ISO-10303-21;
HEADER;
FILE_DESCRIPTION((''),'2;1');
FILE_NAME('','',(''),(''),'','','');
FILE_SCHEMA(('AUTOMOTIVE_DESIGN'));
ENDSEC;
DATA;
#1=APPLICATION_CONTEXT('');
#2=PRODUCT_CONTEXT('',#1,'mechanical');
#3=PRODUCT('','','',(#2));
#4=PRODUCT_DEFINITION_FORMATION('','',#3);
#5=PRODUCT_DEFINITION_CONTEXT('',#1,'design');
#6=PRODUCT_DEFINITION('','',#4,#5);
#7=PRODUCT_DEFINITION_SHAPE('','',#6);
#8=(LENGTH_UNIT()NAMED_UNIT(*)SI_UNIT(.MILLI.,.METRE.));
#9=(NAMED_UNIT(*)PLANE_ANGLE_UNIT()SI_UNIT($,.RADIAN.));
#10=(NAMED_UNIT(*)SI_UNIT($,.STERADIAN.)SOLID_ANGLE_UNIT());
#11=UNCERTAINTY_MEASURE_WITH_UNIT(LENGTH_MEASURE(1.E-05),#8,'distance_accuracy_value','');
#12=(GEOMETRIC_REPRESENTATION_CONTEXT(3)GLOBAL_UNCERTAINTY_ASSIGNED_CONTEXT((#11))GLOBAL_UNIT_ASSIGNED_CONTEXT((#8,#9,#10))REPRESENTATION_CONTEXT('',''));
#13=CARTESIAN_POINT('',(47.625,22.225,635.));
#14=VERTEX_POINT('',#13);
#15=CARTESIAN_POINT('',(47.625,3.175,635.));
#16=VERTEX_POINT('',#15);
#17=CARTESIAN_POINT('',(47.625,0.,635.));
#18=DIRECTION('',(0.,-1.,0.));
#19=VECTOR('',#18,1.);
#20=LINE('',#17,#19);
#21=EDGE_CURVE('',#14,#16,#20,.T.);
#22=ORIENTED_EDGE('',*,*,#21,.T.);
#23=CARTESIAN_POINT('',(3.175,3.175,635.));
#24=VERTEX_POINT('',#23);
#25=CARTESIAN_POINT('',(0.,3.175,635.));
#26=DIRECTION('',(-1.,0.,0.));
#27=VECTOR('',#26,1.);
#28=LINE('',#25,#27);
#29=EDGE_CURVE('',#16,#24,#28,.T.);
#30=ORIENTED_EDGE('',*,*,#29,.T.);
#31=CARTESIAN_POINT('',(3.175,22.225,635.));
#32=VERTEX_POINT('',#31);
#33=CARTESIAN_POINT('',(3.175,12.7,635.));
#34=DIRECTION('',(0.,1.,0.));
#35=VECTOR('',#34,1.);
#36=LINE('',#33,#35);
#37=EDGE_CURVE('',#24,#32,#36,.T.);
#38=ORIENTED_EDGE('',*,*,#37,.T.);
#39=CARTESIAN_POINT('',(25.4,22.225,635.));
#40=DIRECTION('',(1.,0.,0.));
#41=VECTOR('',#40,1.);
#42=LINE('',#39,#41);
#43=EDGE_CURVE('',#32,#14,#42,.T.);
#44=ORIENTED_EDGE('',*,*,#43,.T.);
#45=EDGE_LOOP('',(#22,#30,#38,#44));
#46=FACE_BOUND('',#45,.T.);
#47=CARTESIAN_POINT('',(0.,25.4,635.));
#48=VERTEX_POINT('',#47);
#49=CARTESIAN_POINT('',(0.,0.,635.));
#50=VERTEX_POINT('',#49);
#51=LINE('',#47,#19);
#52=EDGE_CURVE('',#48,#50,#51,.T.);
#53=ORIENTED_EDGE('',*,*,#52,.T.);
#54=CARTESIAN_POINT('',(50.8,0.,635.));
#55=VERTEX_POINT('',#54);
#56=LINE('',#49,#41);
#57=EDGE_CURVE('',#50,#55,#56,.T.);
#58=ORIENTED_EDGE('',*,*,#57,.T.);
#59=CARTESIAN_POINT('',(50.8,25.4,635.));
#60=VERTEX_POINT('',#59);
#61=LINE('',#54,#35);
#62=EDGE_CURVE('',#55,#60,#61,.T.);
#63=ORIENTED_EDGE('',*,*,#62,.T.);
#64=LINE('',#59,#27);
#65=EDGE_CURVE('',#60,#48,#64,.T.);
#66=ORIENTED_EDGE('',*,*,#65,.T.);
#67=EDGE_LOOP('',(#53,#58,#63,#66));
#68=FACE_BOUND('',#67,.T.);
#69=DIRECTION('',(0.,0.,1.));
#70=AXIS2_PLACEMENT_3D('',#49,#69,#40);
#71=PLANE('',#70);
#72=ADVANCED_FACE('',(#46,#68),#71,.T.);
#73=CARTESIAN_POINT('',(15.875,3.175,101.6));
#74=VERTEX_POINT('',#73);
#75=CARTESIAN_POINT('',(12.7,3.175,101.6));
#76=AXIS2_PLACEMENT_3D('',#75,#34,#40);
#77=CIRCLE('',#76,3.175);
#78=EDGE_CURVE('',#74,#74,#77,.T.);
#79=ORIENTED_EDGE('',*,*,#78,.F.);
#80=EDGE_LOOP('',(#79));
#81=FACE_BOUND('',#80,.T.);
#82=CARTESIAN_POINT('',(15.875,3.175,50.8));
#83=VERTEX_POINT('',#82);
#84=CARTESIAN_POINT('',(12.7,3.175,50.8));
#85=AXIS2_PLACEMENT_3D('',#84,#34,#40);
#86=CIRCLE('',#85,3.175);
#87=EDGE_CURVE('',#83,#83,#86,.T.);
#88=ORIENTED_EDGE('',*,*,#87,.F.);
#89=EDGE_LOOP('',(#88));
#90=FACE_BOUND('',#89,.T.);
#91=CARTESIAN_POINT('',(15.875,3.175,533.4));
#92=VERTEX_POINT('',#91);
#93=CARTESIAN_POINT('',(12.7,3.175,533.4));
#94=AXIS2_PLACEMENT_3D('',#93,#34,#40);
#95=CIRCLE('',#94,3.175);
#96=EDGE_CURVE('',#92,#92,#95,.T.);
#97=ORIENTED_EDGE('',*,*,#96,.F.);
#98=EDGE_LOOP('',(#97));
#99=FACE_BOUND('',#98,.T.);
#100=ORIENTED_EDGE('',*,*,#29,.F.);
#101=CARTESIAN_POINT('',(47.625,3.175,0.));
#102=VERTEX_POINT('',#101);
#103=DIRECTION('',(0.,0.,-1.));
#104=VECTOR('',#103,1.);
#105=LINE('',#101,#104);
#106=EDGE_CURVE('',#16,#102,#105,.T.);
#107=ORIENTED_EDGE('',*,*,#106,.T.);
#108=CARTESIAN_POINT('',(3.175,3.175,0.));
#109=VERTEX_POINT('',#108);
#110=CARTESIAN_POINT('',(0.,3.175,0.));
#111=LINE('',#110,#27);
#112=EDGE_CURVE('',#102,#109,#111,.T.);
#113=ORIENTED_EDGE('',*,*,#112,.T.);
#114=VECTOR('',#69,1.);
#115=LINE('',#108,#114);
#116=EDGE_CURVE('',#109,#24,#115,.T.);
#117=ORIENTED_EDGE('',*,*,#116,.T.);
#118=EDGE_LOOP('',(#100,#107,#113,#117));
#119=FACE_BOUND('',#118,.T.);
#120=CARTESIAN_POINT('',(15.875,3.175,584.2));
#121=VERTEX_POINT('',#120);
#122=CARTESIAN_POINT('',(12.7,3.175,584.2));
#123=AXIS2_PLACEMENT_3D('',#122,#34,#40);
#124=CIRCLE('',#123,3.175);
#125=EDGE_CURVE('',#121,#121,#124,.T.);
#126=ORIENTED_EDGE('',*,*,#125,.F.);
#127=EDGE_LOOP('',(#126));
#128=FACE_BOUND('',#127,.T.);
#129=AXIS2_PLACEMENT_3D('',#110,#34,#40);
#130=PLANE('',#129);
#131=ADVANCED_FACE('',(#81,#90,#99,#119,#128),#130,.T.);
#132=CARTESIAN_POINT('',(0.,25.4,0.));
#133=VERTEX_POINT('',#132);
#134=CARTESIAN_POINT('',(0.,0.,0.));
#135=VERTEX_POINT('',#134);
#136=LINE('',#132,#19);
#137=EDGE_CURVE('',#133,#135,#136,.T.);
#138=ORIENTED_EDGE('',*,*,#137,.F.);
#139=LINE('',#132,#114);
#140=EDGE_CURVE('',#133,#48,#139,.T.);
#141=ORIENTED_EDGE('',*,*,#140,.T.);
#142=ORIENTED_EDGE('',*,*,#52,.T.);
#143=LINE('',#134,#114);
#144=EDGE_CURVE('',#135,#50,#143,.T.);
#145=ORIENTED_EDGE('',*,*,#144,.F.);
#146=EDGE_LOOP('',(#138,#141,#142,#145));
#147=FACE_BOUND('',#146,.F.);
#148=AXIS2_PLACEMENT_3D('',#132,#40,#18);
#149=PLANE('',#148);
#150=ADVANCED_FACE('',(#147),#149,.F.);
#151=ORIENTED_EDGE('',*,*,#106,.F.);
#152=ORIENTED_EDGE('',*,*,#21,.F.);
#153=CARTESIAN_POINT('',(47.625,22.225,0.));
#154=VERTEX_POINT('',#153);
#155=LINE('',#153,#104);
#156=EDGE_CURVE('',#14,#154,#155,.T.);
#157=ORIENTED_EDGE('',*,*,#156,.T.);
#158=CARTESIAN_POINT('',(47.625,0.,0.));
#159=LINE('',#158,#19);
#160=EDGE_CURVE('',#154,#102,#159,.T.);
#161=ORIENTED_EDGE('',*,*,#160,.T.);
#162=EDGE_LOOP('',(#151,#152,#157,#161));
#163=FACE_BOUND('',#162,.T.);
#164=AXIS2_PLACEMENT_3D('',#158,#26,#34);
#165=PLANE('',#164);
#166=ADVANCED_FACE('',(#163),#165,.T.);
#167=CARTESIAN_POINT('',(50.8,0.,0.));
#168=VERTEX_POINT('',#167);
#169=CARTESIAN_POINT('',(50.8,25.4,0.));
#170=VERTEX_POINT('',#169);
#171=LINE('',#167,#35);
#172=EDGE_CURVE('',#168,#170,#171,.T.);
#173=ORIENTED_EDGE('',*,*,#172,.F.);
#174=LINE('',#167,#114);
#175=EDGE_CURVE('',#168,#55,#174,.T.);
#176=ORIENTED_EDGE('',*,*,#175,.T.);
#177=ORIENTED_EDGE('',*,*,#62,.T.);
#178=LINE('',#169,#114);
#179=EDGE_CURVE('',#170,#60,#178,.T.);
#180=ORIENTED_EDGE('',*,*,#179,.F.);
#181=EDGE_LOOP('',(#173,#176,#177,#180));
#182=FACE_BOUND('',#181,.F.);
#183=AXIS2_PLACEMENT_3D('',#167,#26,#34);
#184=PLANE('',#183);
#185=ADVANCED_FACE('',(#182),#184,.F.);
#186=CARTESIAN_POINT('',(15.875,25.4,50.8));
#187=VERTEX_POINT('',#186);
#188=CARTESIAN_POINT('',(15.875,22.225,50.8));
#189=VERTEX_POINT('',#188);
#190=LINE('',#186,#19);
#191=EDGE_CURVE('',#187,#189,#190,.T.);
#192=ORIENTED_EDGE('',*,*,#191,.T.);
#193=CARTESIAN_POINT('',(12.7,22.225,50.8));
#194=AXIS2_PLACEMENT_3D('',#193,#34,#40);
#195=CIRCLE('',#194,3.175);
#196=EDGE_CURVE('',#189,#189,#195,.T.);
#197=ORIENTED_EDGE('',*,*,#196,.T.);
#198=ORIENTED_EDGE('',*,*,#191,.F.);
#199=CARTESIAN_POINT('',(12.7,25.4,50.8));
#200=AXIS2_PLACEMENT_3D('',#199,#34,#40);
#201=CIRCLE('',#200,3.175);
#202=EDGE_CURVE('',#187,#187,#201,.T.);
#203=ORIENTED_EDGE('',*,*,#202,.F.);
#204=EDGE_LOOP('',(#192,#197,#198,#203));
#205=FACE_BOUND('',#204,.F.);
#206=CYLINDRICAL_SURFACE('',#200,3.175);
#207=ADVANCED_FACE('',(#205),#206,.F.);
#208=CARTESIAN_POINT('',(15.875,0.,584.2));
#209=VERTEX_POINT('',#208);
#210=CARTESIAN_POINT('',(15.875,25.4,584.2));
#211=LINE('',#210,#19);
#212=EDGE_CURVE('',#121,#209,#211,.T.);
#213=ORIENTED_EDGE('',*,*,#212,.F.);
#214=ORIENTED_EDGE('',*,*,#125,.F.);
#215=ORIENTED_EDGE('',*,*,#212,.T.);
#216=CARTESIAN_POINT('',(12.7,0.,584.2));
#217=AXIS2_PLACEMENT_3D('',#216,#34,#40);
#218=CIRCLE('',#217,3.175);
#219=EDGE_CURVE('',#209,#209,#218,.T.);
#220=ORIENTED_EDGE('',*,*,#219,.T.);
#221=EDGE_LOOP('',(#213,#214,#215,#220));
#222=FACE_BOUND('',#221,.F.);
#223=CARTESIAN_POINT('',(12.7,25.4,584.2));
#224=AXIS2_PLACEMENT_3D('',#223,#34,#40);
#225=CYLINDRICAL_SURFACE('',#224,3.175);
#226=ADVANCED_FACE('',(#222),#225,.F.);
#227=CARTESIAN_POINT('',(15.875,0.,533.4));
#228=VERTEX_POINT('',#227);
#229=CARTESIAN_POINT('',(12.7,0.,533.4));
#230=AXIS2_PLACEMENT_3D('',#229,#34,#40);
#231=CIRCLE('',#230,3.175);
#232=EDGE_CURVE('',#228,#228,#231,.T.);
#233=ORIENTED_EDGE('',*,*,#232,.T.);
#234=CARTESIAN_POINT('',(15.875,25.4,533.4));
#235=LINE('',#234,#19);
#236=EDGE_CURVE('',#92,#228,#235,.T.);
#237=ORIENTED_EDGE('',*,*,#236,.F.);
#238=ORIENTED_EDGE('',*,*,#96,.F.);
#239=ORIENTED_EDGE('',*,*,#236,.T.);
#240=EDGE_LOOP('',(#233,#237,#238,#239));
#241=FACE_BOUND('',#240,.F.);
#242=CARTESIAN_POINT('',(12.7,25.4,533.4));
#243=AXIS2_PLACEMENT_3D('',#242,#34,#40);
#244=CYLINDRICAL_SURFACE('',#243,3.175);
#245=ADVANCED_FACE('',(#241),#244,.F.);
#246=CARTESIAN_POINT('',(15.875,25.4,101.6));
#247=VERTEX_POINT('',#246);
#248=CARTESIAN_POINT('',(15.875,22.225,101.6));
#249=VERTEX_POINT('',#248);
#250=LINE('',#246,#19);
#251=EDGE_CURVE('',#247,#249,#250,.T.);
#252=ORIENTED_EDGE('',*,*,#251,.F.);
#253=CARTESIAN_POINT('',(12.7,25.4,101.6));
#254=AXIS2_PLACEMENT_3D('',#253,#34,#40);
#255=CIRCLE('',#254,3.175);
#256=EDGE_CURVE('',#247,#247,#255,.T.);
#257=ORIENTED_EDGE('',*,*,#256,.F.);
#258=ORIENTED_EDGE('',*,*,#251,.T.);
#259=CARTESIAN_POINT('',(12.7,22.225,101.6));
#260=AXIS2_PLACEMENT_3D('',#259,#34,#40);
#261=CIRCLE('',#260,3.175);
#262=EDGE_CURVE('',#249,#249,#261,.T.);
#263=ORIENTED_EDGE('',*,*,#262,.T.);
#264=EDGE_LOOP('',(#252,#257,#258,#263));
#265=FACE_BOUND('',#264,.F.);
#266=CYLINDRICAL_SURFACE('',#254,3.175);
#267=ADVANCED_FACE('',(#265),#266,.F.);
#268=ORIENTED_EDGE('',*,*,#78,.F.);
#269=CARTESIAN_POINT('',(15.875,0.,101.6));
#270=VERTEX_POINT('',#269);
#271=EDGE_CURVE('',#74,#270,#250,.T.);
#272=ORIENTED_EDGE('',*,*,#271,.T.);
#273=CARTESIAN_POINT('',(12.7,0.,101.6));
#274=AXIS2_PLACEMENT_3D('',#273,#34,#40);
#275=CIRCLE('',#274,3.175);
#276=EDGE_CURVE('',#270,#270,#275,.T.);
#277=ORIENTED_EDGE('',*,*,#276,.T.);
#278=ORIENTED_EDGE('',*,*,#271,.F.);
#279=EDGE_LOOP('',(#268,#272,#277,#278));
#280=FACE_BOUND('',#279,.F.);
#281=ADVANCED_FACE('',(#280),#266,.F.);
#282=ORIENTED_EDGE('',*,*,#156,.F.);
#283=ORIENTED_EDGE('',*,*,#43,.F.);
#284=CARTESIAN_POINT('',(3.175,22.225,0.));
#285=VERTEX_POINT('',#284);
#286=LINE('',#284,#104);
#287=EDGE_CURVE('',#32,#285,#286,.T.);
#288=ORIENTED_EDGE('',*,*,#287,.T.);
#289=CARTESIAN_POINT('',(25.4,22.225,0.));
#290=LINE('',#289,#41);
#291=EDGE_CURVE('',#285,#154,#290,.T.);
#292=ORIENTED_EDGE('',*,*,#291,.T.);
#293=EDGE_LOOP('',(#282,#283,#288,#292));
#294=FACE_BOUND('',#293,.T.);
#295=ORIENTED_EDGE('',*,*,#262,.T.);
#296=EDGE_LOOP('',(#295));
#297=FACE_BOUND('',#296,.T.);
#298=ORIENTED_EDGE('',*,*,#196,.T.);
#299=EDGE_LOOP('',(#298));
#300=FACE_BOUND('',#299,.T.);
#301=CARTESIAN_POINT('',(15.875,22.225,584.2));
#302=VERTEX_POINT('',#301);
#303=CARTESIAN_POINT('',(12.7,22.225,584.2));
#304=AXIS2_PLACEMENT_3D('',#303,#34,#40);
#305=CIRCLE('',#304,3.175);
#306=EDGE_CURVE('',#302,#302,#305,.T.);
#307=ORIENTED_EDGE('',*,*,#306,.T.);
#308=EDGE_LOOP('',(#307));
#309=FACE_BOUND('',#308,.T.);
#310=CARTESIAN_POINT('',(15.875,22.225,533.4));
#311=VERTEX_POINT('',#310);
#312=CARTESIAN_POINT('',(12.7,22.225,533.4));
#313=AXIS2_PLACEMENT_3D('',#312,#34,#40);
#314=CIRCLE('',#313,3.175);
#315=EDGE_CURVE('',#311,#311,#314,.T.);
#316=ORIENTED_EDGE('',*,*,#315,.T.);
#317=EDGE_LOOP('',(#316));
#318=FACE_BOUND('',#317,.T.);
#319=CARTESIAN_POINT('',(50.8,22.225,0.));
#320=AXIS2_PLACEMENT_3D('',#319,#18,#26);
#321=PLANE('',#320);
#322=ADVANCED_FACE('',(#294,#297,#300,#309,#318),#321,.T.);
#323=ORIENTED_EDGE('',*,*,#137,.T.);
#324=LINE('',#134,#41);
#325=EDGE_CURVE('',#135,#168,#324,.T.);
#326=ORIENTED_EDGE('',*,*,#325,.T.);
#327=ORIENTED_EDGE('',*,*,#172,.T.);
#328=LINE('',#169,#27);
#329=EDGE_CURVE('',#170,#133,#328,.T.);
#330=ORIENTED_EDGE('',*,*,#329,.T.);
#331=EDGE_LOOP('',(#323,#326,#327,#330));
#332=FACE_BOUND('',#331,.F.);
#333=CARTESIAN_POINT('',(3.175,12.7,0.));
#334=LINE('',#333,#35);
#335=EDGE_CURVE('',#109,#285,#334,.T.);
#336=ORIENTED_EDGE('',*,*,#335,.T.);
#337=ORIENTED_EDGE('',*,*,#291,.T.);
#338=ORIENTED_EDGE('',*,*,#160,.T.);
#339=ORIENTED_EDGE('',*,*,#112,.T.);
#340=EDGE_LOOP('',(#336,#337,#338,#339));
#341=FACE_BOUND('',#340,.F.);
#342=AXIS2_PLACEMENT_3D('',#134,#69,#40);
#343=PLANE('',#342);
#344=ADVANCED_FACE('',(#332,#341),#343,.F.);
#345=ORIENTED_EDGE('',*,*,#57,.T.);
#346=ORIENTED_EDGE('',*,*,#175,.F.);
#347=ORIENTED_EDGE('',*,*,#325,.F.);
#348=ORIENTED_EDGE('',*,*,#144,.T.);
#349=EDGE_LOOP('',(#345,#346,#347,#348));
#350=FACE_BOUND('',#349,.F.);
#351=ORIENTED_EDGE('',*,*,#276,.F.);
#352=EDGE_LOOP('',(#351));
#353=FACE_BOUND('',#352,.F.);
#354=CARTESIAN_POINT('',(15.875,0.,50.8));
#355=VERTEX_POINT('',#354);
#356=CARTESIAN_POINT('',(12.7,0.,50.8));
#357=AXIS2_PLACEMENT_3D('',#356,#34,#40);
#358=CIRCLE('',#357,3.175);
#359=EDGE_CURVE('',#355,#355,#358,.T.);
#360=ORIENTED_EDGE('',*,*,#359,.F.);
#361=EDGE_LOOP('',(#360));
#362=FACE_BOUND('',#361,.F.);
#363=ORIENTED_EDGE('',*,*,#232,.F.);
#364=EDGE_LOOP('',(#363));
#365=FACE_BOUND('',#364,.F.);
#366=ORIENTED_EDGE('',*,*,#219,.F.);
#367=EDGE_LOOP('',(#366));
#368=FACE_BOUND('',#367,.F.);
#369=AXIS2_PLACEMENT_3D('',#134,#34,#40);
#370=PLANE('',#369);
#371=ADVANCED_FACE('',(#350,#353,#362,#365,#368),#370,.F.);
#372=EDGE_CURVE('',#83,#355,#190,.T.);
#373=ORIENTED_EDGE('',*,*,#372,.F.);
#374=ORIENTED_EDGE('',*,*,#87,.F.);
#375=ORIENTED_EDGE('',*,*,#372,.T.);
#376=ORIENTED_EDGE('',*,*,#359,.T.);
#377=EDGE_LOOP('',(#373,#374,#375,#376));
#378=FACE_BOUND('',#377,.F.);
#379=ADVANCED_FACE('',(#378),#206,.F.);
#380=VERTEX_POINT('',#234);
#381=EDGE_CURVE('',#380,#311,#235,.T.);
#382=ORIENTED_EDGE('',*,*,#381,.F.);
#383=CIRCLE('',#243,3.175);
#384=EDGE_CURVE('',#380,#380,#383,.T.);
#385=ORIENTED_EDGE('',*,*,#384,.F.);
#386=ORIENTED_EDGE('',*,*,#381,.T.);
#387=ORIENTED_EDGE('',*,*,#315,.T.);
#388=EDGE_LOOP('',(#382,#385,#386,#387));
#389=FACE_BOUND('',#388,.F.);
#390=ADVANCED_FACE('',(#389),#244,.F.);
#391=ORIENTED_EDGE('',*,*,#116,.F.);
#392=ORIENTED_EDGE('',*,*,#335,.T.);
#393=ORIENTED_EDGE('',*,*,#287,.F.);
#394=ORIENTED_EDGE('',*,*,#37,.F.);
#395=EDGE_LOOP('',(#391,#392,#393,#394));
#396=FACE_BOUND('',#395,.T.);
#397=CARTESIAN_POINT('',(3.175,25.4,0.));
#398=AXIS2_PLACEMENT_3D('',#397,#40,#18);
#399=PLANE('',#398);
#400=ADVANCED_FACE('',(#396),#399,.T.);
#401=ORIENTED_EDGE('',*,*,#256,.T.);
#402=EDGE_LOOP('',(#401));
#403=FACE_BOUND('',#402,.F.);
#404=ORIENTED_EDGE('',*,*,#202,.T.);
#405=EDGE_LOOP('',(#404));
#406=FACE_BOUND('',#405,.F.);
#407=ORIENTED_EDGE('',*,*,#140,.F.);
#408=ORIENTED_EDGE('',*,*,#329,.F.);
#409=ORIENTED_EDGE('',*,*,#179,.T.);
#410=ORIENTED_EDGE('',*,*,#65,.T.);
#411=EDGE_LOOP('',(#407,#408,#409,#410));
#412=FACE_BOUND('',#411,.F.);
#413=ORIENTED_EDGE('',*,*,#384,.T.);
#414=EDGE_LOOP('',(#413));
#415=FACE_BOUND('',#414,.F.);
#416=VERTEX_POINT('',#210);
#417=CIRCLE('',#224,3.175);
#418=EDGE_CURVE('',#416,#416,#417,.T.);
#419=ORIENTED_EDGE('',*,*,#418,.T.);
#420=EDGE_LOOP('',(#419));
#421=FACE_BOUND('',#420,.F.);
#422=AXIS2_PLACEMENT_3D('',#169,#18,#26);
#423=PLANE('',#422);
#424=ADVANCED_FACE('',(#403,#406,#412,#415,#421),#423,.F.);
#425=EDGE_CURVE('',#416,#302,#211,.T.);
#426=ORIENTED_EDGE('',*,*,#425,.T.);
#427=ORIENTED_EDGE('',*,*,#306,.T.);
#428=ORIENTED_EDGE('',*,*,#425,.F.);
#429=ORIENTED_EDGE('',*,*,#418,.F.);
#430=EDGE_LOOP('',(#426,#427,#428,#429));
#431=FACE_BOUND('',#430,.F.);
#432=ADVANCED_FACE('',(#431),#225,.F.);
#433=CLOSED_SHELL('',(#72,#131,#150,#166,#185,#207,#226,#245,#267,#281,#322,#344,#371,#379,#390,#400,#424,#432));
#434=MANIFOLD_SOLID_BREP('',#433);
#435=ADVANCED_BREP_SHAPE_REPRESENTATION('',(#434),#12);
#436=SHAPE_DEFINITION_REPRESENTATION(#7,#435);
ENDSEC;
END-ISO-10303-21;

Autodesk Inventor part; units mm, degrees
ref_plane "YZ Plane" through (0, 0, 0) normal (1, 0, 0) x (0, 1, 0)
ref_plane "XZ Plane" through (0, 0, 0) normal (0, 1, 0) x (-1, 0, 0)
ref_plane "XY Plane" through (0, 0, 0) normal (0, 0, 1) x (1, 0, 0)
sketch "Sketch1" plane through (0, 0, 0) normal (0, 0, 1) x (1, 0, 0)
  line L0 (0, 0) -> (50.8, 0)
  line L1 (50.8, 0) -> (50.8, 25.4)
  line L2 (50.8, 25.4) -> (0, 25.4)
  line L3 (0, 25.4) -> (0, 0)
  dimension "d0" = 25.4
  dimension "d1" = 50.8
extrude "Extrusion1" add sketch "Sketch1" along normal blind 635
shell "Shell1" thickness 3.175 removed faces 2 at (16.9333, 16.9333, 0) at (33.8667, 8.4667, 635)
sketch "Sketch2" plane through (0, 25.4, 0) normal (0, 1, 0) x (1, 0, 0)
  line L0 (0, -635) -> (50.8, -635) projected
  line L1 (50.8, 0) -> (0, 0) projected
  line L2 (0, 0) -> (0, -635) projected
  line L3 (12.7, 0) -> (12.7, -50.8) construction
  line L4 (12.7, -50.8) -> (12.7, -101.6) construction
  line L5 (12.7, -101.6) -> (12.7, -533.4) construction
  line L6 (12.7, -533.4) -> (12.7, -584.2) construction
  line L7 (12.7, -584.2) -> (12.7, -635) construction
  circle A0 centre (12.7, -50.8) radius 3.175
  circle A1 centre (12.7, -101.6) radius 3.175
  circle A2 centre (12.7, -533.4) radius 3.175
  circle A3 centre (12.7, -584.2) radius 3.175
  dimension "d4" = 12.7
  dimension "d5" = 50.8
  dimension "d6" = 50.8
  dimension "d7" = 6.35
  dimension "d8" = 6.35
  dimension "d9" = 6.35
  dimension "d10" = 6.35
extrude "Extrusion2" cut sketch "Sketch2" against normal through all
properties part number "Frame_SideRail_Inner_2x1" material "Aluminum-6061"
